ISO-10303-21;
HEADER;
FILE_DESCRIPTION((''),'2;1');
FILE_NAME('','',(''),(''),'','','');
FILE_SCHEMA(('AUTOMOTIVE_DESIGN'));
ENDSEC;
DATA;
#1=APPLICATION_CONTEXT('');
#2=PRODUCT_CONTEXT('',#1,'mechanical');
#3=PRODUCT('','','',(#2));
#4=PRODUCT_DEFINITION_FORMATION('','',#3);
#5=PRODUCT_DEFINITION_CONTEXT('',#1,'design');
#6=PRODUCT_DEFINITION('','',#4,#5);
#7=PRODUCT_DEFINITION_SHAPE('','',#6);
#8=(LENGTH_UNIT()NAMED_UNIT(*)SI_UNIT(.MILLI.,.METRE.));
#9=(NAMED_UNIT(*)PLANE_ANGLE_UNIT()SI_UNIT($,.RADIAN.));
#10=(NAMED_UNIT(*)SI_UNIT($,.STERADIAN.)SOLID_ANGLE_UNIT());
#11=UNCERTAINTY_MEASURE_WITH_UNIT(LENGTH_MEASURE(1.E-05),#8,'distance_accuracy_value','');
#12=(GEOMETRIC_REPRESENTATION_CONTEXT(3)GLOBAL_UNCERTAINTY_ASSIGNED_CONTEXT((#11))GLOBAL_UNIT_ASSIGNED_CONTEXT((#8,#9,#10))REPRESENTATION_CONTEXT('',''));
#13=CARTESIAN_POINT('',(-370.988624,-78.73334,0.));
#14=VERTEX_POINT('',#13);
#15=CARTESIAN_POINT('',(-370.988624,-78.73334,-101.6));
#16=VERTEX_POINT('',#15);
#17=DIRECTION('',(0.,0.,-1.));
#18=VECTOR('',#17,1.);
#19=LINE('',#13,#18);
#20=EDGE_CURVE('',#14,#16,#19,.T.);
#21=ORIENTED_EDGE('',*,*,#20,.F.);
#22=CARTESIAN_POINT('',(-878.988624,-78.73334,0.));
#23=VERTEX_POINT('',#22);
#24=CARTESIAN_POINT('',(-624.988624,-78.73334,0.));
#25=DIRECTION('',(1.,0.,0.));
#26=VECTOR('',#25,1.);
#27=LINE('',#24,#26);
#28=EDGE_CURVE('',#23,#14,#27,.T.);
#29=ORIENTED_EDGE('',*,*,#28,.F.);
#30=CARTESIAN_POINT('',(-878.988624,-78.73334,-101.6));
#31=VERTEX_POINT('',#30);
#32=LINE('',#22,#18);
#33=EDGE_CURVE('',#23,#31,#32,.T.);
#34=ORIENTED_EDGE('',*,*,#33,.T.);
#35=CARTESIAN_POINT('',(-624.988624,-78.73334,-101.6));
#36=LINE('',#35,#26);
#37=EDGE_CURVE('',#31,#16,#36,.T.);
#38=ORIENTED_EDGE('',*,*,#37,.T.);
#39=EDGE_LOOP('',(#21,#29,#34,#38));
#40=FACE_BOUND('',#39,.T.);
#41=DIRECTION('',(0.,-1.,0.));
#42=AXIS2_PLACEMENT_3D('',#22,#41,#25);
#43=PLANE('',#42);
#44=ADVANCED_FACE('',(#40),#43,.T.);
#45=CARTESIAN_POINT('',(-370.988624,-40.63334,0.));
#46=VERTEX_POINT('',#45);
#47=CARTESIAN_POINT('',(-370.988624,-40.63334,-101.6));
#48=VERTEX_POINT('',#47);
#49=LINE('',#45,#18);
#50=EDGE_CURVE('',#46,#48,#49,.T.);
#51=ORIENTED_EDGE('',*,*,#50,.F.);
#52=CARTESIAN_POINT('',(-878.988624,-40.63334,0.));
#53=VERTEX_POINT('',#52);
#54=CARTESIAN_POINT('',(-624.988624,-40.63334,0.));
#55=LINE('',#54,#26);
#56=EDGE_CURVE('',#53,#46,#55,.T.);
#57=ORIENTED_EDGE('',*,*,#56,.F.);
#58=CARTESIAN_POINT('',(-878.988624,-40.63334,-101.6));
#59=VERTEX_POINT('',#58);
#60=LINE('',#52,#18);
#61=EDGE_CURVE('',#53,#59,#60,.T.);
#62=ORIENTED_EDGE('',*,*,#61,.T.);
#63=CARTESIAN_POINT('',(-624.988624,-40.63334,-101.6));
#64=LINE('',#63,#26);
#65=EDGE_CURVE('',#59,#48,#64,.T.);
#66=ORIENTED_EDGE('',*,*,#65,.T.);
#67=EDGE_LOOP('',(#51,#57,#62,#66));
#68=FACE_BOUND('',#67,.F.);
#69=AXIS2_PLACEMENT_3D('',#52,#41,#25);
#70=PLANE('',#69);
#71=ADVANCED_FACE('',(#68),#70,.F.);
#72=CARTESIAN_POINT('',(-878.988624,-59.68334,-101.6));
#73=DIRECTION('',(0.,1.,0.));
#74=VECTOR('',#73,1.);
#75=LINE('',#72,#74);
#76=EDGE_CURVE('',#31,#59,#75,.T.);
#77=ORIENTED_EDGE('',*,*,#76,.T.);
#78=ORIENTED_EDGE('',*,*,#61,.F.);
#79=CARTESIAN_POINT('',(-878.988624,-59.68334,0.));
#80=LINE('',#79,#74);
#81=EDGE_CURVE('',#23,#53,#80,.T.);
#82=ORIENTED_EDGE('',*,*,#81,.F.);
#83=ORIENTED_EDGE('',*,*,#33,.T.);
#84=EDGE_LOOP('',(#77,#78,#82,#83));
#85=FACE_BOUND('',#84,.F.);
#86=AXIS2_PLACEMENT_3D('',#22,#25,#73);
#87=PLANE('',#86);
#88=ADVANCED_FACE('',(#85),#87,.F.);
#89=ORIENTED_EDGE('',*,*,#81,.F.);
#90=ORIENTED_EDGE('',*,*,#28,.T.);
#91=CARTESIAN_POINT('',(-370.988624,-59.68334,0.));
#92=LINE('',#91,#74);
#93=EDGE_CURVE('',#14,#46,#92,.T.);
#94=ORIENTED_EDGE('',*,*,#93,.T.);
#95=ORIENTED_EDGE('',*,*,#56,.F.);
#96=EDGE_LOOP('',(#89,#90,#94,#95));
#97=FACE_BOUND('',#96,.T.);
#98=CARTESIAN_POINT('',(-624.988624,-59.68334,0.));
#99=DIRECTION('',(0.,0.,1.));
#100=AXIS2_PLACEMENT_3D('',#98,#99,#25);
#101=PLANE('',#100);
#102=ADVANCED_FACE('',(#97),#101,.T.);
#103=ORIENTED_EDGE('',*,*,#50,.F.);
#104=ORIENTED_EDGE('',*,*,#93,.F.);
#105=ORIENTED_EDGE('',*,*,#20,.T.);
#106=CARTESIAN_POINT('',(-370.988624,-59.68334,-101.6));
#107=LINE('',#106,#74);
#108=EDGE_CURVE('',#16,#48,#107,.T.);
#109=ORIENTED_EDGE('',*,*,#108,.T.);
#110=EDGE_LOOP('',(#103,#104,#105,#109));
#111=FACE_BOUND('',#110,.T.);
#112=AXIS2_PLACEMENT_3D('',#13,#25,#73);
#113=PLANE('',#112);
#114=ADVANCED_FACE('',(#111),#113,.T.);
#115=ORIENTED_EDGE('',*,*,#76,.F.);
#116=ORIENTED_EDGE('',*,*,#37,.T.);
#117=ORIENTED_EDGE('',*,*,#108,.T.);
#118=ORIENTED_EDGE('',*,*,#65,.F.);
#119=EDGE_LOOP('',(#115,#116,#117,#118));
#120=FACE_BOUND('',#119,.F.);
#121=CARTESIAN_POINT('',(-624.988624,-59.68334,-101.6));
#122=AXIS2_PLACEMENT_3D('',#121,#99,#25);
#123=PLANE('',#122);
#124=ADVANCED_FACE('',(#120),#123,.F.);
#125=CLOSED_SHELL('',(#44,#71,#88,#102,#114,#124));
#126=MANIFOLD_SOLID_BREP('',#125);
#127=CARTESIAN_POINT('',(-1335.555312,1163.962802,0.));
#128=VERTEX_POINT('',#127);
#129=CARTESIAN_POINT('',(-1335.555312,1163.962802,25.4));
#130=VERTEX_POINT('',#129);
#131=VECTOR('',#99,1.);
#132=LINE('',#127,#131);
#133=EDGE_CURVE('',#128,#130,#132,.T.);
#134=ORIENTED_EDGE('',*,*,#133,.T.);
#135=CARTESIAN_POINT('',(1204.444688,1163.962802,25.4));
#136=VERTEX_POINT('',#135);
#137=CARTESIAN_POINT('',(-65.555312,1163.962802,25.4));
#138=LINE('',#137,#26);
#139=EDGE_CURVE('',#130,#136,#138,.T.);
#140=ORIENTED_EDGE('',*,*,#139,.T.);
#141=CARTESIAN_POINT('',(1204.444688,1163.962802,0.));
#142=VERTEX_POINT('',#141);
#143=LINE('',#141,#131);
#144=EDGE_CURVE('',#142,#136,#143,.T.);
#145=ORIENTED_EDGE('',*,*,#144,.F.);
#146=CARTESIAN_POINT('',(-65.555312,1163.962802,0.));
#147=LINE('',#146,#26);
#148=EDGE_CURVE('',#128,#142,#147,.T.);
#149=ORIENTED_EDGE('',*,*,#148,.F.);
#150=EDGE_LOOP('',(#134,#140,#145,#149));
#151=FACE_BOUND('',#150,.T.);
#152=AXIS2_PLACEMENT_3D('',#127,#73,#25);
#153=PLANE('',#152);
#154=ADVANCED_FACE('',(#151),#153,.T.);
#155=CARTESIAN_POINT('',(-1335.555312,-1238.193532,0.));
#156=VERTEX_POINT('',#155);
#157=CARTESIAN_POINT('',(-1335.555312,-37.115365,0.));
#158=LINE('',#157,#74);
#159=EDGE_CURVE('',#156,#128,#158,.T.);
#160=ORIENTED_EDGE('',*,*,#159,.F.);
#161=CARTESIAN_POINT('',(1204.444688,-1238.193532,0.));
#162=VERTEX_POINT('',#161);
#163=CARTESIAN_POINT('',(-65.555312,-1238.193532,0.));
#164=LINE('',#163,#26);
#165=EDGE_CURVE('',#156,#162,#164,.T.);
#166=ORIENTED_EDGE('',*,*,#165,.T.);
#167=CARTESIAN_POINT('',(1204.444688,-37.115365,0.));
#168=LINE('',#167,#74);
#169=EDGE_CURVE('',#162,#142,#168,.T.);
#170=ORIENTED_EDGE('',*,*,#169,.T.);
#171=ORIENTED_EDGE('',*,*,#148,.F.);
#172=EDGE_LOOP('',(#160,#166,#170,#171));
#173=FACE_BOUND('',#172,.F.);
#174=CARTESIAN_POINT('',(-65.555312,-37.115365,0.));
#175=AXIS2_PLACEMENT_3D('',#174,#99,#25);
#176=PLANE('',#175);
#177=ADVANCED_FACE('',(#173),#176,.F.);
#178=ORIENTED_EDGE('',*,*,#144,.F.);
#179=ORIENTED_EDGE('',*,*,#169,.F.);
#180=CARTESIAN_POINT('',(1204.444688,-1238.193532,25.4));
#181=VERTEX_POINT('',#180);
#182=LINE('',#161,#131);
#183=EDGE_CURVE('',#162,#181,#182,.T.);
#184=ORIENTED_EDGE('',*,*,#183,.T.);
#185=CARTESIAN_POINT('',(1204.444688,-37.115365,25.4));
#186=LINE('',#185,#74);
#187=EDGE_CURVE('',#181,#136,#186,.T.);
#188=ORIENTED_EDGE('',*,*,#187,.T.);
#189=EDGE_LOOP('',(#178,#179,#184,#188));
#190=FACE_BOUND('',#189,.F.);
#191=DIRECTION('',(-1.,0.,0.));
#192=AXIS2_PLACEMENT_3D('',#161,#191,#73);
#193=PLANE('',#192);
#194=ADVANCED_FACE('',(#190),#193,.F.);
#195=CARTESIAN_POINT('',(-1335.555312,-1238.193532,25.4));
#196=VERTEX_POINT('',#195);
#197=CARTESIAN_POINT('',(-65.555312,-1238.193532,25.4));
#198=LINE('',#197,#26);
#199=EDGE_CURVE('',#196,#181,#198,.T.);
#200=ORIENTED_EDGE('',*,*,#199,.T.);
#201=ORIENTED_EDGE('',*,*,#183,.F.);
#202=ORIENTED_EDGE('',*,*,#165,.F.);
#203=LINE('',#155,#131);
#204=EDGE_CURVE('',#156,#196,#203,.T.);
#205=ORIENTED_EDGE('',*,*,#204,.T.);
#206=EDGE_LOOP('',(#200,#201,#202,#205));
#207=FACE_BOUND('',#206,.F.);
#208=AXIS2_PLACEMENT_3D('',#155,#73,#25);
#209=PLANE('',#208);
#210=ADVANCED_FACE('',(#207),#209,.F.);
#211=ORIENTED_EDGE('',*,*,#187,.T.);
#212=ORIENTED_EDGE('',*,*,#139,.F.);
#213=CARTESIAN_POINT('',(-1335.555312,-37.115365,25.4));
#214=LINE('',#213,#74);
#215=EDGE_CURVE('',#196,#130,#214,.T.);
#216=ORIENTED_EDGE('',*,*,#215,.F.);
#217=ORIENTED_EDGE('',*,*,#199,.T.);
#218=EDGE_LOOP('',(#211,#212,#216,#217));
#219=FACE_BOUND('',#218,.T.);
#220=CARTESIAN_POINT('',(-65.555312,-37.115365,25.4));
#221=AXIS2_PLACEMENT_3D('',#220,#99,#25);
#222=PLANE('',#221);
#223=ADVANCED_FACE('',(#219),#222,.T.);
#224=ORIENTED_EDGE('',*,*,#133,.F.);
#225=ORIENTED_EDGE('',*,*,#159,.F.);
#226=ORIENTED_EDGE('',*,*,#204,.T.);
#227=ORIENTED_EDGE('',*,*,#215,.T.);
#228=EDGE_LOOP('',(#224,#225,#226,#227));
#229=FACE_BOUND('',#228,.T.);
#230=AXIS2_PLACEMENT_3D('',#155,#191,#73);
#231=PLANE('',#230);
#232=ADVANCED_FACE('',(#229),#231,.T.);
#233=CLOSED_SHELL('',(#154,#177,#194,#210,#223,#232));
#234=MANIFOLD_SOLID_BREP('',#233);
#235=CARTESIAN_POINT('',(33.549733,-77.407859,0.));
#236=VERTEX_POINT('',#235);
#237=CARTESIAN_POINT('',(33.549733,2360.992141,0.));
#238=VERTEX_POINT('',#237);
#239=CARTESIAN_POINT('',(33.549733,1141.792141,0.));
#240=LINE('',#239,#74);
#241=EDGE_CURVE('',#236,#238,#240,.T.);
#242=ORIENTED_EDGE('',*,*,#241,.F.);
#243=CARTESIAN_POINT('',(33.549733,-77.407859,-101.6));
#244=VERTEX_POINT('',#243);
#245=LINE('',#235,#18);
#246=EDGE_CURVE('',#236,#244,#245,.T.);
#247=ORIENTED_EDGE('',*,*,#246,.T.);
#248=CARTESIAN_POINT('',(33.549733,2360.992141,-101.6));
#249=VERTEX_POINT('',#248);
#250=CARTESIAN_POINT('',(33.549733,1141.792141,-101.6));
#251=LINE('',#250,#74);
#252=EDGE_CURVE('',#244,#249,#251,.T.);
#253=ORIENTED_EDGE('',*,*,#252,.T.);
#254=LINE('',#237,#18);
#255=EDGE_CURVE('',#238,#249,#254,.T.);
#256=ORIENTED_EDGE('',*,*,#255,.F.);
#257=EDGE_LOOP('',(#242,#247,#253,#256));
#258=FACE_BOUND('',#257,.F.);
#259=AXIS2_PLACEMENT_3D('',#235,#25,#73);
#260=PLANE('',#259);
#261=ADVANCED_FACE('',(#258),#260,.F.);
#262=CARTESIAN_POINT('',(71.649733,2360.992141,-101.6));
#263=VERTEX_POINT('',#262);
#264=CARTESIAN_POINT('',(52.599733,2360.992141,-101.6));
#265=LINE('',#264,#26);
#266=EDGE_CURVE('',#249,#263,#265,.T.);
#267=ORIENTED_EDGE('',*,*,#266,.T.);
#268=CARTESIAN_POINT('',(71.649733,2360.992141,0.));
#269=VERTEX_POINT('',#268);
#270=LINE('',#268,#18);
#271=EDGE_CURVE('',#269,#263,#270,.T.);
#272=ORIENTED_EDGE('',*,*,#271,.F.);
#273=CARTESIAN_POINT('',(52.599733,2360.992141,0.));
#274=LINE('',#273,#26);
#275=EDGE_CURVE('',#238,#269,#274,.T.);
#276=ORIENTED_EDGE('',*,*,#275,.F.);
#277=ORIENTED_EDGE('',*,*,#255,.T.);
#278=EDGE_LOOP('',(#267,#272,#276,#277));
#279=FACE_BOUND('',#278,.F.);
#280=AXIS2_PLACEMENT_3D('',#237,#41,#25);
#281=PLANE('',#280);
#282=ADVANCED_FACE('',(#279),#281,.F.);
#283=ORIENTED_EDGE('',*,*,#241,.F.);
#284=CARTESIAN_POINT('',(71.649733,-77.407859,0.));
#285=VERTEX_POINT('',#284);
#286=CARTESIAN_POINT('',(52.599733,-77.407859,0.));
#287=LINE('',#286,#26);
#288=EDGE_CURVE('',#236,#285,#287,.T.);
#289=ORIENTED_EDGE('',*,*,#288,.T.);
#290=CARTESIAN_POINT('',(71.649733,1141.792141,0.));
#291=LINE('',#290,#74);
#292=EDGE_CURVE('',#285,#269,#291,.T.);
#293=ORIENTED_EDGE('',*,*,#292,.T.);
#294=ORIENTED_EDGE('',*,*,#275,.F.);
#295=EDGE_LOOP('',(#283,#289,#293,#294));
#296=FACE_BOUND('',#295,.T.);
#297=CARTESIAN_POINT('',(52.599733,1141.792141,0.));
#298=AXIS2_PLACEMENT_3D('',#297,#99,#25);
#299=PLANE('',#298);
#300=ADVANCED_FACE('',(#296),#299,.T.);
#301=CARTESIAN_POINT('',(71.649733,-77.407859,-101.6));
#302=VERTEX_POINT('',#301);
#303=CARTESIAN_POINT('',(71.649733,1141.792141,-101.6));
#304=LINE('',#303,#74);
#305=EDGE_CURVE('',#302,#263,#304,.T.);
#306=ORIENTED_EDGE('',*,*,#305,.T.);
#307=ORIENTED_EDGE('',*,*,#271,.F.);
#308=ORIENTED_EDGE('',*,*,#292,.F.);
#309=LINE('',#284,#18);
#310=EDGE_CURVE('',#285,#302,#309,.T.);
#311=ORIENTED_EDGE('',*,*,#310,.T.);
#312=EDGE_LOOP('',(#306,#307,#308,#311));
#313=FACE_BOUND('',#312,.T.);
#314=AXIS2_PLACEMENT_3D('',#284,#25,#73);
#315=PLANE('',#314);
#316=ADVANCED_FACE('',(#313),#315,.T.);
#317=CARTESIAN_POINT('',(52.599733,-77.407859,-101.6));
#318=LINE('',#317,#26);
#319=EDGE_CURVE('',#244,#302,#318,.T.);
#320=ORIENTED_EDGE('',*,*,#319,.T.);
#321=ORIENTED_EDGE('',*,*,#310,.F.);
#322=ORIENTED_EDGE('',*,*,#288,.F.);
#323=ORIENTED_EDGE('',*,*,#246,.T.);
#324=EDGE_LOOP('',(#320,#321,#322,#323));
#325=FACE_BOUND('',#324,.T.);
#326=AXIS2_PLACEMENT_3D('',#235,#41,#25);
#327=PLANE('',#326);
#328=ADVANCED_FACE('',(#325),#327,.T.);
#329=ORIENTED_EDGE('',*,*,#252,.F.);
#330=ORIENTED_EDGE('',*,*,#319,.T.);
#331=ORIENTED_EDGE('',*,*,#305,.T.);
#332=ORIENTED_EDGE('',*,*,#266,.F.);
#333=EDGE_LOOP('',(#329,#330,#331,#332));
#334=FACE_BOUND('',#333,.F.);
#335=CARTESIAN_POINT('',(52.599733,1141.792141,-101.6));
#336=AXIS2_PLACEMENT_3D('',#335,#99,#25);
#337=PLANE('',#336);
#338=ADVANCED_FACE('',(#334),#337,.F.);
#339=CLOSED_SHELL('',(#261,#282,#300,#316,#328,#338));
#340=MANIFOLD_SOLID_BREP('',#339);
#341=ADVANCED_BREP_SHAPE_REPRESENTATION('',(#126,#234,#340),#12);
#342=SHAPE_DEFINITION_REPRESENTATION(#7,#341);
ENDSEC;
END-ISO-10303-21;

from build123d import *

# Parameters (mm, degrees)
F0_W     = 38.1
F0_H     = 2438.4
F1_DEPTH = 101.6
F2_W     = 508
F2_H     = 38.1
F3_DEPTH = 101.6
F4_W     = 2540
F4_H     = 2402.156334
F5_DEPTH = 25.4


with BuildPart() as f1:
    # F0 (on Top) → F1 (new body)
    with BuildSketch(Plane.XY):
        with Locations((52.599733, 1141.792141)):
            Rectangle(F0_W, F0_H)
    extrude(amount=-F1_DEPTH)


with BuildPart() as f3:
    # F2 (on Top) → F3 (new body)
    with BuildSketch(Plane.XY):
        with Locations((-624.988624, -59.68334)):
            Rectangle(F2_W, F2_H)
    extrude(amount=-F3_DEPTH)


with BuildPart() as f5:
    # F4 (on Top) → F5 (new body)
    with BuildSketch(Plane.XY):
        with Locations((-65.555312, -37.115365)):
            Rectangle(F4_W, F4_H)
    extrude(amount=F5_DEPTH)


solid = Compound([f1.part, f3.part, f5.part])
